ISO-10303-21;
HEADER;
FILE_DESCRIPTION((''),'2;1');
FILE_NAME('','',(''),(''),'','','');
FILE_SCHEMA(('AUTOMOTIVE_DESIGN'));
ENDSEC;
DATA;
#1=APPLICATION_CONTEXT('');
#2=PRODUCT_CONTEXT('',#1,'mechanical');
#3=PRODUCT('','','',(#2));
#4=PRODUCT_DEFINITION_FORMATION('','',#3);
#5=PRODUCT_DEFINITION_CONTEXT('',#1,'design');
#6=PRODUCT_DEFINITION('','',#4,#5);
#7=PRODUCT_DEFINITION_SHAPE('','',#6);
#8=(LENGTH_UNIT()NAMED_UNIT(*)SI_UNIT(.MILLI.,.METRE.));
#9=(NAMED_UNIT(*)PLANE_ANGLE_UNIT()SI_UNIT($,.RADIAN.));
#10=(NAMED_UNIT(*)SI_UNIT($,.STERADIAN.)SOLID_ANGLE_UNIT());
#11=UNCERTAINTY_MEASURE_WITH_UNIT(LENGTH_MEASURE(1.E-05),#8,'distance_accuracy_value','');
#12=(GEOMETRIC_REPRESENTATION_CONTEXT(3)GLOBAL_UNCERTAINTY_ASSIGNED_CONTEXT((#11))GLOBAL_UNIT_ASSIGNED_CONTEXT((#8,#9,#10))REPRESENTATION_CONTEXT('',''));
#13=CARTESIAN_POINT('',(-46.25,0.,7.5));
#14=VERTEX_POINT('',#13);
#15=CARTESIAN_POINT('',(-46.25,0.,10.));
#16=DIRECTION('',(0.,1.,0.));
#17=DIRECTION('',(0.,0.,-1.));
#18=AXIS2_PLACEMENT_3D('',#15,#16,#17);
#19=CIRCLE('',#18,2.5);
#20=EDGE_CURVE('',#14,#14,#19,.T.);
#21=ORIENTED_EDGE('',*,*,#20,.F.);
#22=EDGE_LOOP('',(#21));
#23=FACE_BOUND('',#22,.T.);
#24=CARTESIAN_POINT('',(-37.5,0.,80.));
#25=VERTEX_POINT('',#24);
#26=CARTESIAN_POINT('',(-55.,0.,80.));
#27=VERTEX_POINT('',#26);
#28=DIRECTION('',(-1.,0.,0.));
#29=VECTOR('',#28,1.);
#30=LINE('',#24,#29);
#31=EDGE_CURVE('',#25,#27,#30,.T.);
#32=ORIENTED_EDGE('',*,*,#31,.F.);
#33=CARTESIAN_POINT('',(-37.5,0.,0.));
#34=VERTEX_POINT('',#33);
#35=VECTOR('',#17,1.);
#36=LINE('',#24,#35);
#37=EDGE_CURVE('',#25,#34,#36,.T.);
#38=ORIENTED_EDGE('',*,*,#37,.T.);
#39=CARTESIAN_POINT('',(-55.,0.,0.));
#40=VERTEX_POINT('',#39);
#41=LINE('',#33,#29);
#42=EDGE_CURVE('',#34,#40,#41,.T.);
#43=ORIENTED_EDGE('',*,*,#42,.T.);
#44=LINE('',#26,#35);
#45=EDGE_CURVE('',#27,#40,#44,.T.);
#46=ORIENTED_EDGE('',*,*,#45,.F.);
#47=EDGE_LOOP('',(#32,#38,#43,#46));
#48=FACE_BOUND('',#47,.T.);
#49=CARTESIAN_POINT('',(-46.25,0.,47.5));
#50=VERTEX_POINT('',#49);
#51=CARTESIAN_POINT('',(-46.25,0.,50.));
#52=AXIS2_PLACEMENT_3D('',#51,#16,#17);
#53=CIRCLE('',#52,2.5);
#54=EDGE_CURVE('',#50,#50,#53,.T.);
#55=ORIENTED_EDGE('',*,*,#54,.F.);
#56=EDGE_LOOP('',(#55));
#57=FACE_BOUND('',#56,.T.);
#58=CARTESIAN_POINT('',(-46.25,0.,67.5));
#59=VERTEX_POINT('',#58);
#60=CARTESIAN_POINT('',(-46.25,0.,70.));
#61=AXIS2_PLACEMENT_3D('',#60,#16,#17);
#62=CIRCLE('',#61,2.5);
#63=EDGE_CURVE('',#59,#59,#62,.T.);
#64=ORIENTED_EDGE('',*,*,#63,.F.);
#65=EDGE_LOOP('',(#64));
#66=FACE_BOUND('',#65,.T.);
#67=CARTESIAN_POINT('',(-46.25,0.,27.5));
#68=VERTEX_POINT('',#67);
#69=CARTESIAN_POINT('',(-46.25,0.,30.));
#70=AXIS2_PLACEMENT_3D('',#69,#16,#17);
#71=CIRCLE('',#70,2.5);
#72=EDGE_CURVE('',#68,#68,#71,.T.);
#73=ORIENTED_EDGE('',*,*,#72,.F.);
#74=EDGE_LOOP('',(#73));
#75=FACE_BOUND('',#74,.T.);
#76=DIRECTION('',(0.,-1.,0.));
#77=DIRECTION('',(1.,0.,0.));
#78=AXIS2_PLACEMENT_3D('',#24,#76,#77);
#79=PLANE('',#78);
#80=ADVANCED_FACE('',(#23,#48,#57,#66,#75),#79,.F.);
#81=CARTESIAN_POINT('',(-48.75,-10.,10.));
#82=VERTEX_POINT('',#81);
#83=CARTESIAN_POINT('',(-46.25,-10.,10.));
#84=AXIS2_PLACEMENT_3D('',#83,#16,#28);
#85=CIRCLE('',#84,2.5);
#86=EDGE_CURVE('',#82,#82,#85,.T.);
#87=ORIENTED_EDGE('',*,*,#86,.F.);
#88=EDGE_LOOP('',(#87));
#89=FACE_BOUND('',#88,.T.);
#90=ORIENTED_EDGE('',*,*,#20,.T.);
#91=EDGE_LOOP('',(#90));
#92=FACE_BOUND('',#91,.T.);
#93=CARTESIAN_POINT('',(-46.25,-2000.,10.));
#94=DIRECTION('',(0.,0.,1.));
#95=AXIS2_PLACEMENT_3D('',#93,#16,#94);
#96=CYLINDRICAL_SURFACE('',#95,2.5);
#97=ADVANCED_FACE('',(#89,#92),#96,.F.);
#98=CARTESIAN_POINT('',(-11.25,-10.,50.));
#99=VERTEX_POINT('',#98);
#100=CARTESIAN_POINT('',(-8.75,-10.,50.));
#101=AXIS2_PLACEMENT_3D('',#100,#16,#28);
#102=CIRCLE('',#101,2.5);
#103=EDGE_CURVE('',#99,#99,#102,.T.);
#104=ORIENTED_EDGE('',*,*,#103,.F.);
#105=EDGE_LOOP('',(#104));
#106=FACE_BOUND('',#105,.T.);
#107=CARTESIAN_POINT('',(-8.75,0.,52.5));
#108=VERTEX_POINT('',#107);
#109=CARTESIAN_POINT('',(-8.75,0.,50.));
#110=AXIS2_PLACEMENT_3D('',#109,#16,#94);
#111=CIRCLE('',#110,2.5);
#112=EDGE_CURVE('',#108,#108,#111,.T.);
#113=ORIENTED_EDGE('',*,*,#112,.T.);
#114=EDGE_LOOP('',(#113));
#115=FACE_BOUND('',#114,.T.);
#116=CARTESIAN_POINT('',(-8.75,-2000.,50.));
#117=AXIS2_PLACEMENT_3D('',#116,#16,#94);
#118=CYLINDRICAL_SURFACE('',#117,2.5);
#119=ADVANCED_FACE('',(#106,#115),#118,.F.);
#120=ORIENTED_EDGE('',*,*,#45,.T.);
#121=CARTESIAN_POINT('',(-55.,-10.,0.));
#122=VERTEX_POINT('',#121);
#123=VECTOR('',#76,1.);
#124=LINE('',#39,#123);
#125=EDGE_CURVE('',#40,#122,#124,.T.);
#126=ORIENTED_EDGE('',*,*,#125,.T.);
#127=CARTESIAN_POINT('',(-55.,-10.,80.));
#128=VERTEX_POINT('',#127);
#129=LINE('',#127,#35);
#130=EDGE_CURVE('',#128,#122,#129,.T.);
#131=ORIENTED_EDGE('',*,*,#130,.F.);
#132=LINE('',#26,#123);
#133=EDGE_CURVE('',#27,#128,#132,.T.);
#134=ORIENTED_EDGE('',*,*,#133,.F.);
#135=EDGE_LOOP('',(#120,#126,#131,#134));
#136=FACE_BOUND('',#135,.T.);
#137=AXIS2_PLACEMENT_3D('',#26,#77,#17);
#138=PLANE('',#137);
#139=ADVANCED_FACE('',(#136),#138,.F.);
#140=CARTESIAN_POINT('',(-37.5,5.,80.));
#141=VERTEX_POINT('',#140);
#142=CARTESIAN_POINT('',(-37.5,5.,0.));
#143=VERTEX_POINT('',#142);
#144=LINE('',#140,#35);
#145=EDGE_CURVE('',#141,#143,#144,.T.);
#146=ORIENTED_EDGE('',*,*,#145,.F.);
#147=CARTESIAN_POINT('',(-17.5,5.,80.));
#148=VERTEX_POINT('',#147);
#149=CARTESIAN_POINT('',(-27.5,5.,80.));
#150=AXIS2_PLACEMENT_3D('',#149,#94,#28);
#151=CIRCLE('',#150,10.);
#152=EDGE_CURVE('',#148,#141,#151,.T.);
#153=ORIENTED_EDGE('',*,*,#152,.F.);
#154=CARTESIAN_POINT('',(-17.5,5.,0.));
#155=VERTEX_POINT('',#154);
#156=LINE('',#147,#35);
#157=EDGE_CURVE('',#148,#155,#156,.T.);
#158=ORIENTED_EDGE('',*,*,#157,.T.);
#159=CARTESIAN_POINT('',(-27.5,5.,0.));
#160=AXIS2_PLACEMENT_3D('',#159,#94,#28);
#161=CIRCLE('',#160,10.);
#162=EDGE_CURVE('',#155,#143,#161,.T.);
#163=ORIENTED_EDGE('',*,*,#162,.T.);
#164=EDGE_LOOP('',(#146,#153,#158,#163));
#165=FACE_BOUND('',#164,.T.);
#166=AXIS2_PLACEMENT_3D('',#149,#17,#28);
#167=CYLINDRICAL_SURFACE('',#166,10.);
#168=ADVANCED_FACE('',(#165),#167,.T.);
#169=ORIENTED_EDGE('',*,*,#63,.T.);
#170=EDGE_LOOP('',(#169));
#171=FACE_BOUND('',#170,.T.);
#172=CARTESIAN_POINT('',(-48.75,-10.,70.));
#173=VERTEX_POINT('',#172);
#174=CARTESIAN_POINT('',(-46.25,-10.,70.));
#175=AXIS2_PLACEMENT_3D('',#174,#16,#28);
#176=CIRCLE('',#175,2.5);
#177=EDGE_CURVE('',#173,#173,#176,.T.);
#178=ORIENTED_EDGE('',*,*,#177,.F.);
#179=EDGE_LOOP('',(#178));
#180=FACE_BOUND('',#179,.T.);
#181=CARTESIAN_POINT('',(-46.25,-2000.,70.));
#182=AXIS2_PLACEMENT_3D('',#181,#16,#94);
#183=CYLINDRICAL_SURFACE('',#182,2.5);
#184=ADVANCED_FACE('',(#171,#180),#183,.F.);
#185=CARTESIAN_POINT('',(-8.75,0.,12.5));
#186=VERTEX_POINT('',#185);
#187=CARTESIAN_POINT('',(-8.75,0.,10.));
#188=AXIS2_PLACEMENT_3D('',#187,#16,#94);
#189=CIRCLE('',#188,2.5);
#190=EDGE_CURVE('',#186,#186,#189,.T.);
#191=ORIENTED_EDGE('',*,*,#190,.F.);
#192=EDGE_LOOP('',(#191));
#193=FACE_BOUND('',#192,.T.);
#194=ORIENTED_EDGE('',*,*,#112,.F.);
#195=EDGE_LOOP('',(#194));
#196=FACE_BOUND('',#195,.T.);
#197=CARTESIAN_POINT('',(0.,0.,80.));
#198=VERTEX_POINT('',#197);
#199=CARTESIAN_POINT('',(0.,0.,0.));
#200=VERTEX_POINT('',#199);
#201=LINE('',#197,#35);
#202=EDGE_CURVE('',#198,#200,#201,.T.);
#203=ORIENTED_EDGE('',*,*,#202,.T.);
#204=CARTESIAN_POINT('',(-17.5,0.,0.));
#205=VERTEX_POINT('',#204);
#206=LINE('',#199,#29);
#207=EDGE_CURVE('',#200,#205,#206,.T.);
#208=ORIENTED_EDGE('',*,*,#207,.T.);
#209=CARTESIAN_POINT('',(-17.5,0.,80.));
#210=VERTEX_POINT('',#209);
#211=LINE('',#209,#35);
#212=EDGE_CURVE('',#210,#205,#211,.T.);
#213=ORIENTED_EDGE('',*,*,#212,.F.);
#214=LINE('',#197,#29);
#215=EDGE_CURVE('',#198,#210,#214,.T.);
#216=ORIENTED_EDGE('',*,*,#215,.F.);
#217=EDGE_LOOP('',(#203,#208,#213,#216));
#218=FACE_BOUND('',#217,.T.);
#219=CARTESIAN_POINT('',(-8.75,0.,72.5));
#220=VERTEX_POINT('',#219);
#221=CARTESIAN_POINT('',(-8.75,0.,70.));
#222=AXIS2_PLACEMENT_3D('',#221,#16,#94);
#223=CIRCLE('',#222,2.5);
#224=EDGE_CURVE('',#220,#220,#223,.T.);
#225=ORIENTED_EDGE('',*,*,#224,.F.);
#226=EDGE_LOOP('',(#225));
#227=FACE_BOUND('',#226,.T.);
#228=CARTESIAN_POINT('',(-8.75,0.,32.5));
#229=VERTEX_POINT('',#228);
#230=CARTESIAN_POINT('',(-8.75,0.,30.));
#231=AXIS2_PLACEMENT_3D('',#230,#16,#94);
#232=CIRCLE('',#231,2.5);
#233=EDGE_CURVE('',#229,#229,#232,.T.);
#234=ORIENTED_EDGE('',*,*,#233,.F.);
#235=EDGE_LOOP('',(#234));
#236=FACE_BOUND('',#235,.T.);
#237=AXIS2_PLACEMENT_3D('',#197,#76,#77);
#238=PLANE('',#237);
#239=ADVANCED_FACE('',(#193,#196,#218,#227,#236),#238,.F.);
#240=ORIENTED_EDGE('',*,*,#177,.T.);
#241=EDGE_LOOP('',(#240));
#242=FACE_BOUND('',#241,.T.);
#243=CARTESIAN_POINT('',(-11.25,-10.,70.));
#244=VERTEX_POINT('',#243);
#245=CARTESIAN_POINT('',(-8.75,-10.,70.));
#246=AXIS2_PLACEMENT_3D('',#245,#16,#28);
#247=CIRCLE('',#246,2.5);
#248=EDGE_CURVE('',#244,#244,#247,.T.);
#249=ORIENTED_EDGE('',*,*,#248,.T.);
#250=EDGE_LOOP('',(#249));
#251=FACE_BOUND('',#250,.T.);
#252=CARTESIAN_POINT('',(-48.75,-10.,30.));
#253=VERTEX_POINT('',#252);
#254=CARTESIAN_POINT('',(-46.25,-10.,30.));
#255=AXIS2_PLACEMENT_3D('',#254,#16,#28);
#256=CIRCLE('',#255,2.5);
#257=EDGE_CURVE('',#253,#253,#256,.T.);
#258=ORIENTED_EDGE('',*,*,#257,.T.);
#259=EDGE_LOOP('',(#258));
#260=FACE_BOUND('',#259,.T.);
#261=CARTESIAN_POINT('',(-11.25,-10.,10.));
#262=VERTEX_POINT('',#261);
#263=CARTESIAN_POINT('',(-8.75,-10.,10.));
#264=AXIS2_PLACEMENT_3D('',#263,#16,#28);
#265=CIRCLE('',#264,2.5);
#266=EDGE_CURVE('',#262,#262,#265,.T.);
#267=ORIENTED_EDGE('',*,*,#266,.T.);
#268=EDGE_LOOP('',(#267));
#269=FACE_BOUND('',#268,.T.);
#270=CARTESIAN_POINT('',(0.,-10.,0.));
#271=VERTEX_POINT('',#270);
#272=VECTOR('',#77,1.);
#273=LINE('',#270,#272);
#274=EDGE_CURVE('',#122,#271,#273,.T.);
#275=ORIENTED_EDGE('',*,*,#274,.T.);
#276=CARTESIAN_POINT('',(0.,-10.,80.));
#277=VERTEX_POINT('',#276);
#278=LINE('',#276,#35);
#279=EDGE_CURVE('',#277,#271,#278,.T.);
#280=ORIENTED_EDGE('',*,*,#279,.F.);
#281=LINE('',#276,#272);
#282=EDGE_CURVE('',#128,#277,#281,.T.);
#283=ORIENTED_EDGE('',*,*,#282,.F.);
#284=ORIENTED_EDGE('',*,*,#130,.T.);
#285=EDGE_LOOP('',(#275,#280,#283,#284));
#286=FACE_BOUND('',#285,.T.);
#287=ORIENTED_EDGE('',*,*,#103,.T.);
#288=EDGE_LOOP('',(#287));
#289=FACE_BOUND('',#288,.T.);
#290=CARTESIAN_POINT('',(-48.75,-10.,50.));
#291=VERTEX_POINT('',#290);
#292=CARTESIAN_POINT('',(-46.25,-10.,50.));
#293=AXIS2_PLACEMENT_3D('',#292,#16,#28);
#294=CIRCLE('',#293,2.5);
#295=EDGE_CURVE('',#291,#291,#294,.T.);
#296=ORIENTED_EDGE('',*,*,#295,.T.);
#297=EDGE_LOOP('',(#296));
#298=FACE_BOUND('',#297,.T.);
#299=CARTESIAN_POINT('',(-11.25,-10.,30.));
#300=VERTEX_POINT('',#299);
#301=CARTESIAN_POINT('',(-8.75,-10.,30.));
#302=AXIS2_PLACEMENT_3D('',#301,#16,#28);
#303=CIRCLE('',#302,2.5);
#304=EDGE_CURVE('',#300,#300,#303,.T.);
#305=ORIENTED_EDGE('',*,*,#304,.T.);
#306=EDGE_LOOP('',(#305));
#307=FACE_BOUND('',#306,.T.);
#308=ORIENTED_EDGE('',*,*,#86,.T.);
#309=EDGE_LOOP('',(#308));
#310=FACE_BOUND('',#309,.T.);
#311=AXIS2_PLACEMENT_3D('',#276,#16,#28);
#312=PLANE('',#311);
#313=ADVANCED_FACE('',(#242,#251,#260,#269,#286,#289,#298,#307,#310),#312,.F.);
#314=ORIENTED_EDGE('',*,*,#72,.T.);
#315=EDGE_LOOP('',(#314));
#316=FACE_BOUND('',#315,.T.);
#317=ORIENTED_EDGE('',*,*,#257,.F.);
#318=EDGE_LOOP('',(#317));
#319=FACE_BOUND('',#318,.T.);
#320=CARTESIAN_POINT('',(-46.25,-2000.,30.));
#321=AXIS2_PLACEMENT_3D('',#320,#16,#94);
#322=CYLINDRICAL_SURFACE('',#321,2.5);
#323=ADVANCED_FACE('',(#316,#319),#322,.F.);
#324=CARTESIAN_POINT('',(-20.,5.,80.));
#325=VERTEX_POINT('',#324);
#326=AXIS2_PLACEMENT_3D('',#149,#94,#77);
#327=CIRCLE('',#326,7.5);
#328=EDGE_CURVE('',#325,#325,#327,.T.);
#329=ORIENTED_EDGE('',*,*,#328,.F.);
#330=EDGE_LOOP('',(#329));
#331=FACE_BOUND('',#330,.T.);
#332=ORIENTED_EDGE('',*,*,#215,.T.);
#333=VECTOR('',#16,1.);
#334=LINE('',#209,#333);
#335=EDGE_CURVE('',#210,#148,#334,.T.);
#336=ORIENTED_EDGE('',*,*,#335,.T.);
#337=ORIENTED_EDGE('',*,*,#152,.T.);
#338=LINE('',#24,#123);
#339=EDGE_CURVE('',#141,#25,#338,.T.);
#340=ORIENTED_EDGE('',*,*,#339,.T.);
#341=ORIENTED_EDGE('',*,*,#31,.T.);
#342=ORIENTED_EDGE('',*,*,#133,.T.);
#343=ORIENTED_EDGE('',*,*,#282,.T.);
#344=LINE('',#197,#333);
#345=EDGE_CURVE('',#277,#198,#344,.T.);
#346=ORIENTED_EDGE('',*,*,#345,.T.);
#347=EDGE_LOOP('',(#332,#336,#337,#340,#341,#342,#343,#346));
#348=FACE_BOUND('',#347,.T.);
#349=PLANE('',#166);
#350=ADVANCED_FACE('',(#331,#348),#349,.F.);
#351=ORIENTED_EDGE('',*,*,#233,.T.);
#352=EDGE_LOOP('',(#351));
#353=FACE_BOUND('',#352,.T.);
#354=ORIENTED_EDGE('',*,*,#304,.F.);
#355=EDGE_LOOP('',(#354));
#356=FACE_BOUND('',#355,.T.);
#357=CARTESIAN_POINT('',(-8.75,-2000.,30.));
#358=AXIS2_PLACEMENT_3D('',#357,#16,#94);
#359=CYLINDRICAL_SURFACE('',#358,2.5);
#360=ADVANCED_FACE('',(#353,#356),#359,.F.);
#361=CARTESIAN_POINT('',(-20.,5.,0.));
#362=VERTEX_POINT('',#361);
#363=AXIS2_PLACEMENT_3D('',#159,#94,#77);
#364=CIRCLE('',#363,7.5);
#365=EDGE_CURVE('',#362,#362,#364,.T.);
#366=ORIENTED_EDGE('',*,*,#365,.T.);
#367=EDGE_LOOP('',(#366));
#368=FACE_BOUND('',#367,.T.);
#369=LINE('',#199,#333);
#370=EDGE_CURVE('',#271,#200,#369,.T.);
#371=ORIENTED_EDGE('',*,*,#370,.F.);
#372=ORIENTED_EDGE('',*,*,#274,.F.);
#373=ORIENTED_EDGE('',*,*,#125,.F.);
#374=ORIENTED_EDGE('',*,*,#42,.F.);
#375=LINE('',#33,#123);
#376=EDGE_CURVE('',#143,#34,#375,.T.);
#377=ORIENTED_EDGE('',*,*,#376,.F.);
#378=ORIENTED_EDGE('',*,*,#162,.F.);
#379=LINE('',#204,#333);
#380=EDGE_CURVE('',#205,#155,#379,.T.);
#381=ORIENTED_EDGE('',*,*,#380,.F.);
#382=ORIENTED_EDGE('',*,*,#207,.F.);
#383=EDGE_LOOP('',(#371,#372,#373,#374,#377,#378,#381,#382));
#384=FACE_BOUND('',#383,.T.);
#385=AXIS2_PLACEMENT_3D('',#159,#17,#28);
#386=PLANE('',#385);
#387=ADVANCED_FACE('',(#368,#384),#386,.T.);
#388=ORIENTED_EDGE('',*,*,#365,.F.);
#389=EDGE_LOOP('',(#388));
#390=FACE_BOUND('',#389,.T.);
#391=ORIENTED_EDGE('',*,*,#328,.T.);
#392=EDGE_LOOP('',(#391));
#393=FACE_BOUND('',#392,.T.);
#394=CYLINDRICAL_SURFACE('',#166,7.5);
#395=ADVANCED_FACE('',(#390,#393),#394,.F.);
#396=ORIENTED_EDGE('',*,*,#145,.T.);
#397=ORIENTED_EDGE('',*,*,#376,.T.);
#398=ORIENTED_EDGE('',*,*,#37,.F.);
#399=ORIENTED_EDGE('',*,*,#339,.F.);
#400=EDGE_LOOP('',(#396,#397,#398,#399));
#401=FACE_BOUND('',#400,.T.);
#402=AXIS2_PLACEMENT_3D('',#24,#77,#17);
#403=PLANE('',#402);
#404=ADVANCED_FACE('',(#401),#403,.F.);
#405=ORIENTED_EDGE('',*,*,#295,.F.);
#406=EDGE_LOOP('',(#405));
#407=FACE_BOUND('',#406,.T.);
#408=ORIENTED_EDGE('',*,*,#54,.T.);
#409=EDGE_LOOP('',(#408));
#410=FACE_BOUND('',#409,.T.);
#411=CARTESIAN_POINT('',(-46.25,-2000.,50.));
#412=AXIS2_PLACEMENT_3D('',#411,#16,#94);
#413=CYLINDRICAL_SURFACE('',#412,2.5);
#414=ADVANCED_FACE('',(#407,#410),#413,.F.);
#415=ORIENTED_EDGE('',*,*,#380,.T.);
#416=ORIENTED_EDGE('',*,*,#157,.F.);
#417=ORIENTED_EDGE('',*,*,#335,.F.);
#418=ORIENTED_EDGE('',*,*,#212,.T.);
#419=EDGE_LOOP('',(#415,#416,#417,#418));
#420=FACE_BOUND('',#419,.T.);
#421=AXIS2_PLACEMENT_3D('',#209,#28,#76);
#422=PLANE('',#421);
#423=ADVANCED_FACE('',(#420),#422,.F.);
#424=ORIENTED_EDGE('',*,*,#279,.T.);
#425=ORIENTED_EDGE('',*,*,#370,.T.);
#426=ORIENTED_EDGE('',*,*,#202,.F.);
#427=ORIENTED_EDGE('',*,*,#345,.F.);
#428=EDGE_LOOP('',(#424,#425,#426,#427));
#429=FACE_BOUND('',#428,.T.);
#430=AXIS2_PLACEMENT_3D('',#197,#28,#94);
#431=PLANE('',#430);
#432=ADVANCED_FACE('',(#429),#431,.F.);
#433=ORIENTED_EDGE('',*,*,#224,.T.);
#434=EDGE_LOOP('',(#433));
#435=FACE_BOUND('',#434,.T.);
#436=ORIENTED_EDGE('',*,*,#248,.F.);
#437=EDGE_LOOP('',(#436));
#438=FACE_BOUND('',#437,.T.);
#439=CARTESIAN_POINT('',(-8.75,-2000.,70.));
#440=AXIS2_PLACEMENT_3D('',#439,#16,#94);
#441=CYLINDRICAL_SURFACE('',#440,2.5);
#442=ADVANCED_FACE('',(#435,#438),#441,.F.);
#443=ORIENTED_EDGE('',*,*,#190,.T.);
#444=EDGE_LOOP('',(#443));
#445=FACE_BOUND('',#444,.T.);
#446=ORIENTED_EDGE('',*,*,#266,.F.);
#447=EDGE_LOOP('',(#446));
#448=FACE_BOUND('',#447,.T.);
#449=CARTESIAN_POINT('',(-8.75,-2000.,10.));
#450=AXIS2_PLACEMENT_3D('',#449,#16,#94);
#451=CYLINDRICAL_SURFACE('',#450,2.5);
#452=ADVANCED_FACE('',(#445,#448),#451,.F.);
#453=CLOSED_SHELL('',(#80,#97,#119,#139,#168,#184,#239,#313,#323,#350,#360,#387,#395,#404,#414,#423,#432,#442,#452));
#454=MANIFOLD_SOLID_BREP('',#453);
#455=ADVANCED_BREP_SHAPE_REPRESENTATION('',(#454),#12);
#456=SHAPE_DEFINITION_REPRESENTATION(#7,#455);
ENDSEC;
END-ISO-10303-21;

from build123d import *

# Parameters (mm, degrees)
SKETCH1_R           = 7.5
BOSS_EXTRUDE2_DEPTH = 80
SKETCH3_R           = 2.5
CUT_EXTRUDE1_DEPTH  = 2000


with BuildPart() as part:
    # Sketch1 → Boss-Extrude2 (new body)
    with BuildSketch(Plane.XY):
        with BuildLine():
            Line((0, 0), (-17.5, 0))
            Line((-17.5, 0), (-17.5, 5))
            ThreePointArc((-17.5, 5), (-27.5, 15), (-37.5, 5))
            Line((-37.5, 5), (-37.5, 0))
            Line((-37.5, 0), (-55, 0))
            Line((-55, 0), (-55, -10))
            Line((-55, -10), (0, -10))
            Line((0, -10), (0, 0))
        make_face()
        with Locations((-27.5, 5)):
            Circle(SKETCH1_R, mode=Mode.SUBTRACT)
    extrude(amount=BOSS_EXTRUDE2_DEPTH)

    # Sketch3 → Cut-Extrude1 (cut)
    with BuildSketch(Plane(origin=(0, 0, 0), x_dir=(1, 0, 0), z_dir=(0, 1, 0))):
        with Locations(Location((-8.75, -10, 0), (0, 0, 270))):
            Circle(SKETCH3_R)
        with Locations(Location((-8.75, -30, 0), (0, 0, 270))):
            Circle(SKETCH3_R)
        with Locations(Location((-8.75, -50, 0), (0, 0, 270))):
            Circle(SKETCH3_R)
        with Locations(Location((-8.75, -70, 0), (0, 0, 270))):
            Circle(SKETCH3_R)
        with Locations(Location((-46.25, -70, 0), (0, 0, 180))):
            Circle(SKETCH3_R)
        with Locations(Location((-46.25, -50, 0), (0, 0, 180))):
            Circle(SKETCH3_R)
        with Locations(Location((-46.25, -30, 0), (0, 0, 180))):
            Circle(SKETCH3_R)
        with Locations(Location((-46.25, -10, 0), (0, 0, 180))):
            Circle(SKETCH3_R)
    extrude(amount=-CUT_EXTRUDE1_DEPTH, mode=Mode.SUBTRACT)


solid = part.part
